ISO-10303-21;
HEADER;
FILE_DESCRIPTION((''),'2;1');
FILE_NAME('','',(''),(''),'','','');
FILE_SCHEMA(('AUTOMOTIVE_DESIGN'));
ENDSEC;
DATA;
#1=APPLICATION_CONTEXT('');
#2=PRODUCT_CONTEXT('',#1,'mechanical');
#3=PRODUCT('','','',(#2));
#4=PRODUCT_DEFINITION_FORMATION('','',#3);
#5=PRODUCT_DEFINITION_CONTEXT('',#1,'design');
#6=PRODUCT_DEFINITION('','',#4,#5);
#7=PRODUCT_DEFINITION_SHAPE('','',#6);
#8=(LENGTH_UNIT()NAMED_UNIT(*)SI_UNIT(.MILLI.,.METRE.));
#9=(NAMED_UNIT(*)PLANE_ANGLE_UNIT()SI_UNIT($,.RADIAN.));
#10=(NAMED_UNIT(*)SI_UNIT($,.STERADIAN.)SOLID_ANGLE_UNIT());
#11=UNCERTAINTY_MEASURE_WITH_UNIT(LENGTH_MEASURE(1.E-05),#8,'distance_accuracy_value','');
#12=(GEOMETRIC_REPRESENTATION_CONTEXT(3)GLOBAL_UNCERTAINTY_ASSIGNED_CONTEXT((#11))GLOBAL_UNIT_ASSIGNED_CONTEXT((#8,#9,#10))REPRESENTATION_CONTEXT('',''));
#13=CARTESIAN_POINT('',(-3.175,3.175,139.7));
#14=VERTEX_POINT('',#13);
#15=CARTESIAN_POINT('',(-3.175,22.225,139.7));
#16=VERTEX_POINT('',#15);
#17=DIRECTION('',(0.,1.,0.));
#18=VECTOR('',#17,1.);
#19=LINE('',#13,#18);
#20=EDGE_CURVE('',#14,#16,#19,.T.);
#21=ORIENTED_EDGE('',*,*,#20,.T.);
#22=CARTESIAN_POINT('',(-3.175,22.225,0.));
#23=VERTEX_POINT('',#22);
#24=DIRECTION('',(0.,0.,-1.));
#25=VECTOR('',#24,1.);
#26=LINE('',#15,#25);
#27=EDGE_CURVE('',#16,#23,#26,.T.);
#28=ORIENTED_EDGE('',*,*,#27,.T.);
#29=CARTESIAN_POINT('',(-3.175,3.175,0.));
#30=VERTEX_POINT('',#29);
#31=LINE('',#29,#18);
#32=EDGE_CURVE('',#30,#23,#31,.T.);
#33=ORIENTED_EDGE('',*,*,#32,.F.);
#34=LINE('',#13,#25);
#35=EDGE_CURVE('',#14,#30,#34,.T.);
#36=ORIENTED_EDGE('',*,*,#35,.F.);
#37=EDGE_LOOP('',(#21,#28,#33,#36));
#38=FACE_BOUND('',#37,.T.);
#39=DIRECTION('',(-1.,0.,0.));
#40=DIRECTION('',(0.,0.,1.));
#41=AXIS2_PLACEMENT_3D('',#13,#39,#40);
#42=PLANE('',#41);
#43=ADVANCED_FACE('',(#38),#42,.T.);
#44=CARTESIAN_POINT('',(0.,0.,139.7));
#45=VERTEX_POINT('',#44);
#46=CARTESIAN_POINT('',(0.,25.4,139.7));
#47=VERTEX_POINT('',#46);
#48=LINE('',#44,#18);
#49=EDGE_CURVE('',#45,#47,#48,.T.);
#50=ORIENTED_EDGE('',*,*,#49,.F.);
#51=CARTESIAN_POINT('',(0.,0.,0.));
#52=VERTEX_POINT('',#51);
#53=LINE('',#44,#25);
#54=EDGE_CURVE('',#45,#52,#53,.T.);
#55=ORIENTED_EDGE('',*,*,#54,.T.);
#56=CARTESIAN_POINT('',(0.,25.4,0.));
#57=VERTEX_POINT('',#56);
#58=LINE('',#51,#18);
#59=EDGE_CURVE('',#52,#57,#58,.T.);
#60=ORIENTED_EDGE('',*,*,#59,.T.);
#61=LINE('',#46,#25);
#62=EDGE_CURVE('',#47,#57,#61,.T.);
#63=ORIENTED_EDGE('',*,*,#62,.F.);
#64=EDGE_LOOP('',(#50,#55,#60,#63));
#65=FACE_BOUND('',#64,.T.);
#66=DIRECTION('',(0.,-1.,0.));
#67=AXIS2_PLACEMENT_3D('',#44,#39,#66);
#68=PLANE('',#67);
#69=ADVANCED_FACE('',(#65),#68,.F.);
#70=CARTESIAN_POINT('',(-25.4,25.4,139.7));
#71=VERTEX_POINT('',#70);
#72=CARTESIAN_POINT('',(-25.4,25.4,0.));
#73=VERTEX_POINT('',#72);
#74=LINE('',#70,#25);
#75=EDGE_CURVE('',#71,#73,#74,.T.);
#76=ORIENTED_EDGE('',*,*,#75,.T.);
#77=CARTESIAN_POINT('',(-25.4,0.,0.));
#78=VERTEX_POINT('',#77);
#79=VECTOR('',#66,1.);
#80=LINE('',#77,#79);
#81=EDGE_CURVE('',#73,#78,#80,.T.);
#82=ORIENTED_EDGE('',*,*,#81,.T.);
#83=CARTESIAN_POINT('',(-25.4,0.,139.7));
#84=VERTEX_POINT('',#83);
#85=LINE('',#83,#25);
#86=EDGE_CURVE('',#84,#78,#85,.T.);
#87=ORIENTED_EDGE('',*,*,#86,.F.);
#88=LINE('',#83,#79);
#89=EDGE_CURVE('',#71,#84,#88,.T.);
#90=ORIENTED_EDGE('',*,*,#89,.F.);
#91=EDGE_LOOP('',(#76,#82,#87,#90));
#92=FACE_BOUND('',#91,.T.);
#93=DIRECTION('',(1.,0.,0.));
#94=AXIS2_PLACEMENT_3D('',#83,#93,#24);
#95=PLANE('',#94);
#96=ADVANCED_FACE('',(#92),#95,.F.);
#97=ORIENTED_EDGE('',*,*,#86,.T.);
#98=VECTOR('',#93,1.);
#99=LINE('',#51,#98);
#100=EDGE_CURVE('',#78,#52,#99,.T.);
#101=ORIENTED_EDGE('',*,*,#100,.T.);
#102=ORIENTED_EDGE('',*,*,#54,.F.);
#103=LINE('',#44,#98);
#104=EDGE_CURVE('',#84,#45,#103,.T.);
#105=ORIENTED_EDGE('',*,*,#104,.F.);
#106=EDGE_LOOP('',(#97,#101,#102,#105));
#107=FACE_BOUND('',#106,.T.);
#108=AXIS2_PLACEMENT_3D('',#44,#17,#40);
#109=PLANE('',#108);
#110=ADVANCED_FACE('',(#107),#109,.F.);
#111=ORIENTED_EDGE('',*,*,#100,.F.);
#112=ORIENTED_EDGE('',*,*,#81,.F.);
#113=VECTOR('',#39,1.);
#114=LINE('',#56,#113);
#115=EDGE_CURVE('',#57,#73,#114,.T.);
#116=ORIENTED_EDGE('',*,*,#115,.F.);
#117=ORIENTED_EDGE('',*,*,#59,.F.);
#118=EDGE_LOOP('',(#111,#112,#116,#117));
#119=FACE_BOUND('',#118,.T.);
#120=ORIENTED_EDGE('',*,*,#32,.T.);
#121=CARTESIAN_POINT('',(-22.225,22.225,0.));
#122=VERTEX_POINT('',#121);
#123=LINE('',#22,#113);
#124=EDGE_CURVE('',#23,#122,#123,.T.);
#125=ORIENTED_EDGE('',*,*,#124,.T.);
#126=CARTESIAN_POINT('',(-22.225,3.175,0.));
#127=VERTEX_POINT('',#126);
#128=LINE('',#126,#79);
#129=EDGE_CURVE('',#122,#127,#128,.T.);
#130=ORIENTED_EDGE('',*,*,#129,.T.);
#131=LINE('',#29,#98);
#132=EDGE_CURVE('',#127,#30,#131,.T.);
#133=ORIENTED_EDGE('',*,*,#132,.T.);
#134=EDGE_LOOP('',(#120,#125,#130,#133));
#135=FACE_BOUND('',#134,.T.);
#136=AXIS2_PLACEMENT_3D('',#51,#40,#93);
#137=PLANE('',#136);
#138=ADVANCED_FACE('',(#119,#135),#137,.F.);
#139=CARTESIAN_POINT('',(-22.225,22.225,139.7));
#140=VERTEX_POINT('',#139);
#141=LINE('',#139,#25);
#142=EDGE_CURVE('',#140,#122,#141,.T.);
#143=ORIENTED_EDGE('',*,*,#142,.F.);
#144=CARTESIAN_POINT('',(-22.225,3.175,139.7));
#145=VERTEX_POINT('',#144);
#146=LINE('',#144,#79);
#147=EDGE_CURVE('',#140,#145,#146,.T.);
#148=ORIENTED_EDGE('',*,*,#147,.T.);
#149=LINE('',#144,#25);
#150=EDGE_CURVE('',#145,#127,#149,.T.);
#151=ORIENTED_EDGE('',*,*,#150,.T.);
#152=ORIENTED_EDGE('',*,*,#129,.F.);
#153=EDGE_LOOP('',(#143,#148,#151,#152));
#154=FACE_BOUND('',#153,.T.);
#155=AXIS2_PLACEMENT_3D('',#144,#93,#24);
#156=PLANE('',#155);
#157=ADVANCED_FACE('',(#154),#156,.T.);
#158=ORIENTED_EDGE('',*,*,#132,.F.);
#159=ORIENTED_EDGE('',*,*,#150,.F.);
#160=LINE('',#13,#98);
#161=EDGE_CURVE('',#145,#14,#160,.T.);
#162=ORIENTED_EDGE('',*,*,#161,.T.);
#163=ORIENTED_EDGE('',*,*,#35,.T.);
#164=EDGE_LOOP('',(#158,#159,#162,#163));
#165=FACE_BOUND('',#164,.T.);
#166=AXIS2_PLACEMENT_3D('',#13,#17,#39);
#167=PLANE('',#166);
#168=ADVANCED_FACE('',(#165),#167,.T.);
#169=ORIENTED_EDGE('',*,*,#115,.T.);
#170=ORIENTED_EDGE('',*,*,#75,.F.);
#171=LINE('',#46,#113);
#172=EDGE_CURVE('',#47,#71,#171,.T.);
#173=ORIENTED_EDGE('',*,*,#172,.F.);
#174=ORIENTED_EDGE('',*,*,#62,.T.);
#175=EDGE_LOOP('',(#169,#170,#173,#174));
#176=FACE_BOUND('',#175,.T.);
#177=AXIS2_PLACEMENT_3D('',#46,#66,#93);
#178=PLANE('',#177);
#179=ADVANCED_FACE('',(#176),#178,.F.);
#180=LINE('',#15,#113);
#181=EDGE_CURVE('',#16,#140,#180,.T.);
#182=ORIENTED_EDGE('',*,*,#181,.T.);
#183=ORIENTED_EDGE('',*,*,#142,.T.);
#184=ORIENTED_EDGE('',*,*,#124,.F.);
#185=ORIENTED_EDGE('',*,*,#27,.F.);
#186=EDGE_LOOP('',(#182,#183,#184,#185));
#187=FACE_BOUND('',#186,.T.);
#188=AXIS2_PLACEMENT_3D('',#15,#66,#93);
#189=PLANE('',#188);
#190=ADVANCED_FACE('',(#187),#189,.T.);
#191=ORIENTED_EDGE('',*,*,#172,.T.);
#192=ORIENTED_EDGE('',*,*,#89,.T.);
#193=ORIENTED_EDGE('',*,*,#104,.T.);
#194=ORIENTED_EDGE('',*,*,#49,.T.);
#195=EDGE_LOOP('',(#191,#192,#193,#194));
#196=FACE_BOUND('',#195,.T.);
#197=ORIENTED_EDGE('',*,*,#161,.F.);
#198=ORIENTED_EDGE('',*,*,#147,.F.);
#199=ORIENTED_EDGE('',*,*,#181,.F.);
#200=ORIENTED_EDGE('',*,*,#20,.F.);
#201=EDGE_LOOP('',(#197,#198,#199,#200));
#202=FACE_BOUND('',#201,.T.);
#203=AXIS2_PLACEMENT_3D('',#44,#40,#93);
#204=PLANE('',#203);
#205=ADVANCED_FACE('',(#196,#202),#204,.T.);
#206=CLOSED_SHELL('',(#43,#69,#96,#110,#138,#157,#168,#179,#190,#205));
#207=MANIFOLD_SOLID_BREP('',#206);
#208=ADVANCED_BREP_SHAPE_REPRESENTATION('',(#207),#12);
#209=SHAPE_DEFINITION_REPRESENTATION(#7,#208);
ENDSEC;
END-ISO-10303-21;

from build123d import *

# Parameters (mm, degrees)
SKETCH1_W           = 25.4
SKETCH1_H           = 25.4
SKETCH1_W_2         = 19.05
SKETCH1_H_2         = 19.05
BOSS_EXTRUDE1_DEPTH = 139.7


with BuildPart() as part:
    # Sketch1 → Boss-Extrude1 (new body)
    with BuildSketch(Plane.XY):
        with Locations((-12.7, 12.7)):
            Rectangle(SKETCH1_W, SKETCH1_H)
        with Locations((-12.7, 12.7)):
            Rectangle(SKETCH1_W_2, SKETCH1_H_2, mode=Mode.SUBTRACT)
    extrude(amount=BOSS_EXTRUDE1_DEPTH)


solid = part.part
